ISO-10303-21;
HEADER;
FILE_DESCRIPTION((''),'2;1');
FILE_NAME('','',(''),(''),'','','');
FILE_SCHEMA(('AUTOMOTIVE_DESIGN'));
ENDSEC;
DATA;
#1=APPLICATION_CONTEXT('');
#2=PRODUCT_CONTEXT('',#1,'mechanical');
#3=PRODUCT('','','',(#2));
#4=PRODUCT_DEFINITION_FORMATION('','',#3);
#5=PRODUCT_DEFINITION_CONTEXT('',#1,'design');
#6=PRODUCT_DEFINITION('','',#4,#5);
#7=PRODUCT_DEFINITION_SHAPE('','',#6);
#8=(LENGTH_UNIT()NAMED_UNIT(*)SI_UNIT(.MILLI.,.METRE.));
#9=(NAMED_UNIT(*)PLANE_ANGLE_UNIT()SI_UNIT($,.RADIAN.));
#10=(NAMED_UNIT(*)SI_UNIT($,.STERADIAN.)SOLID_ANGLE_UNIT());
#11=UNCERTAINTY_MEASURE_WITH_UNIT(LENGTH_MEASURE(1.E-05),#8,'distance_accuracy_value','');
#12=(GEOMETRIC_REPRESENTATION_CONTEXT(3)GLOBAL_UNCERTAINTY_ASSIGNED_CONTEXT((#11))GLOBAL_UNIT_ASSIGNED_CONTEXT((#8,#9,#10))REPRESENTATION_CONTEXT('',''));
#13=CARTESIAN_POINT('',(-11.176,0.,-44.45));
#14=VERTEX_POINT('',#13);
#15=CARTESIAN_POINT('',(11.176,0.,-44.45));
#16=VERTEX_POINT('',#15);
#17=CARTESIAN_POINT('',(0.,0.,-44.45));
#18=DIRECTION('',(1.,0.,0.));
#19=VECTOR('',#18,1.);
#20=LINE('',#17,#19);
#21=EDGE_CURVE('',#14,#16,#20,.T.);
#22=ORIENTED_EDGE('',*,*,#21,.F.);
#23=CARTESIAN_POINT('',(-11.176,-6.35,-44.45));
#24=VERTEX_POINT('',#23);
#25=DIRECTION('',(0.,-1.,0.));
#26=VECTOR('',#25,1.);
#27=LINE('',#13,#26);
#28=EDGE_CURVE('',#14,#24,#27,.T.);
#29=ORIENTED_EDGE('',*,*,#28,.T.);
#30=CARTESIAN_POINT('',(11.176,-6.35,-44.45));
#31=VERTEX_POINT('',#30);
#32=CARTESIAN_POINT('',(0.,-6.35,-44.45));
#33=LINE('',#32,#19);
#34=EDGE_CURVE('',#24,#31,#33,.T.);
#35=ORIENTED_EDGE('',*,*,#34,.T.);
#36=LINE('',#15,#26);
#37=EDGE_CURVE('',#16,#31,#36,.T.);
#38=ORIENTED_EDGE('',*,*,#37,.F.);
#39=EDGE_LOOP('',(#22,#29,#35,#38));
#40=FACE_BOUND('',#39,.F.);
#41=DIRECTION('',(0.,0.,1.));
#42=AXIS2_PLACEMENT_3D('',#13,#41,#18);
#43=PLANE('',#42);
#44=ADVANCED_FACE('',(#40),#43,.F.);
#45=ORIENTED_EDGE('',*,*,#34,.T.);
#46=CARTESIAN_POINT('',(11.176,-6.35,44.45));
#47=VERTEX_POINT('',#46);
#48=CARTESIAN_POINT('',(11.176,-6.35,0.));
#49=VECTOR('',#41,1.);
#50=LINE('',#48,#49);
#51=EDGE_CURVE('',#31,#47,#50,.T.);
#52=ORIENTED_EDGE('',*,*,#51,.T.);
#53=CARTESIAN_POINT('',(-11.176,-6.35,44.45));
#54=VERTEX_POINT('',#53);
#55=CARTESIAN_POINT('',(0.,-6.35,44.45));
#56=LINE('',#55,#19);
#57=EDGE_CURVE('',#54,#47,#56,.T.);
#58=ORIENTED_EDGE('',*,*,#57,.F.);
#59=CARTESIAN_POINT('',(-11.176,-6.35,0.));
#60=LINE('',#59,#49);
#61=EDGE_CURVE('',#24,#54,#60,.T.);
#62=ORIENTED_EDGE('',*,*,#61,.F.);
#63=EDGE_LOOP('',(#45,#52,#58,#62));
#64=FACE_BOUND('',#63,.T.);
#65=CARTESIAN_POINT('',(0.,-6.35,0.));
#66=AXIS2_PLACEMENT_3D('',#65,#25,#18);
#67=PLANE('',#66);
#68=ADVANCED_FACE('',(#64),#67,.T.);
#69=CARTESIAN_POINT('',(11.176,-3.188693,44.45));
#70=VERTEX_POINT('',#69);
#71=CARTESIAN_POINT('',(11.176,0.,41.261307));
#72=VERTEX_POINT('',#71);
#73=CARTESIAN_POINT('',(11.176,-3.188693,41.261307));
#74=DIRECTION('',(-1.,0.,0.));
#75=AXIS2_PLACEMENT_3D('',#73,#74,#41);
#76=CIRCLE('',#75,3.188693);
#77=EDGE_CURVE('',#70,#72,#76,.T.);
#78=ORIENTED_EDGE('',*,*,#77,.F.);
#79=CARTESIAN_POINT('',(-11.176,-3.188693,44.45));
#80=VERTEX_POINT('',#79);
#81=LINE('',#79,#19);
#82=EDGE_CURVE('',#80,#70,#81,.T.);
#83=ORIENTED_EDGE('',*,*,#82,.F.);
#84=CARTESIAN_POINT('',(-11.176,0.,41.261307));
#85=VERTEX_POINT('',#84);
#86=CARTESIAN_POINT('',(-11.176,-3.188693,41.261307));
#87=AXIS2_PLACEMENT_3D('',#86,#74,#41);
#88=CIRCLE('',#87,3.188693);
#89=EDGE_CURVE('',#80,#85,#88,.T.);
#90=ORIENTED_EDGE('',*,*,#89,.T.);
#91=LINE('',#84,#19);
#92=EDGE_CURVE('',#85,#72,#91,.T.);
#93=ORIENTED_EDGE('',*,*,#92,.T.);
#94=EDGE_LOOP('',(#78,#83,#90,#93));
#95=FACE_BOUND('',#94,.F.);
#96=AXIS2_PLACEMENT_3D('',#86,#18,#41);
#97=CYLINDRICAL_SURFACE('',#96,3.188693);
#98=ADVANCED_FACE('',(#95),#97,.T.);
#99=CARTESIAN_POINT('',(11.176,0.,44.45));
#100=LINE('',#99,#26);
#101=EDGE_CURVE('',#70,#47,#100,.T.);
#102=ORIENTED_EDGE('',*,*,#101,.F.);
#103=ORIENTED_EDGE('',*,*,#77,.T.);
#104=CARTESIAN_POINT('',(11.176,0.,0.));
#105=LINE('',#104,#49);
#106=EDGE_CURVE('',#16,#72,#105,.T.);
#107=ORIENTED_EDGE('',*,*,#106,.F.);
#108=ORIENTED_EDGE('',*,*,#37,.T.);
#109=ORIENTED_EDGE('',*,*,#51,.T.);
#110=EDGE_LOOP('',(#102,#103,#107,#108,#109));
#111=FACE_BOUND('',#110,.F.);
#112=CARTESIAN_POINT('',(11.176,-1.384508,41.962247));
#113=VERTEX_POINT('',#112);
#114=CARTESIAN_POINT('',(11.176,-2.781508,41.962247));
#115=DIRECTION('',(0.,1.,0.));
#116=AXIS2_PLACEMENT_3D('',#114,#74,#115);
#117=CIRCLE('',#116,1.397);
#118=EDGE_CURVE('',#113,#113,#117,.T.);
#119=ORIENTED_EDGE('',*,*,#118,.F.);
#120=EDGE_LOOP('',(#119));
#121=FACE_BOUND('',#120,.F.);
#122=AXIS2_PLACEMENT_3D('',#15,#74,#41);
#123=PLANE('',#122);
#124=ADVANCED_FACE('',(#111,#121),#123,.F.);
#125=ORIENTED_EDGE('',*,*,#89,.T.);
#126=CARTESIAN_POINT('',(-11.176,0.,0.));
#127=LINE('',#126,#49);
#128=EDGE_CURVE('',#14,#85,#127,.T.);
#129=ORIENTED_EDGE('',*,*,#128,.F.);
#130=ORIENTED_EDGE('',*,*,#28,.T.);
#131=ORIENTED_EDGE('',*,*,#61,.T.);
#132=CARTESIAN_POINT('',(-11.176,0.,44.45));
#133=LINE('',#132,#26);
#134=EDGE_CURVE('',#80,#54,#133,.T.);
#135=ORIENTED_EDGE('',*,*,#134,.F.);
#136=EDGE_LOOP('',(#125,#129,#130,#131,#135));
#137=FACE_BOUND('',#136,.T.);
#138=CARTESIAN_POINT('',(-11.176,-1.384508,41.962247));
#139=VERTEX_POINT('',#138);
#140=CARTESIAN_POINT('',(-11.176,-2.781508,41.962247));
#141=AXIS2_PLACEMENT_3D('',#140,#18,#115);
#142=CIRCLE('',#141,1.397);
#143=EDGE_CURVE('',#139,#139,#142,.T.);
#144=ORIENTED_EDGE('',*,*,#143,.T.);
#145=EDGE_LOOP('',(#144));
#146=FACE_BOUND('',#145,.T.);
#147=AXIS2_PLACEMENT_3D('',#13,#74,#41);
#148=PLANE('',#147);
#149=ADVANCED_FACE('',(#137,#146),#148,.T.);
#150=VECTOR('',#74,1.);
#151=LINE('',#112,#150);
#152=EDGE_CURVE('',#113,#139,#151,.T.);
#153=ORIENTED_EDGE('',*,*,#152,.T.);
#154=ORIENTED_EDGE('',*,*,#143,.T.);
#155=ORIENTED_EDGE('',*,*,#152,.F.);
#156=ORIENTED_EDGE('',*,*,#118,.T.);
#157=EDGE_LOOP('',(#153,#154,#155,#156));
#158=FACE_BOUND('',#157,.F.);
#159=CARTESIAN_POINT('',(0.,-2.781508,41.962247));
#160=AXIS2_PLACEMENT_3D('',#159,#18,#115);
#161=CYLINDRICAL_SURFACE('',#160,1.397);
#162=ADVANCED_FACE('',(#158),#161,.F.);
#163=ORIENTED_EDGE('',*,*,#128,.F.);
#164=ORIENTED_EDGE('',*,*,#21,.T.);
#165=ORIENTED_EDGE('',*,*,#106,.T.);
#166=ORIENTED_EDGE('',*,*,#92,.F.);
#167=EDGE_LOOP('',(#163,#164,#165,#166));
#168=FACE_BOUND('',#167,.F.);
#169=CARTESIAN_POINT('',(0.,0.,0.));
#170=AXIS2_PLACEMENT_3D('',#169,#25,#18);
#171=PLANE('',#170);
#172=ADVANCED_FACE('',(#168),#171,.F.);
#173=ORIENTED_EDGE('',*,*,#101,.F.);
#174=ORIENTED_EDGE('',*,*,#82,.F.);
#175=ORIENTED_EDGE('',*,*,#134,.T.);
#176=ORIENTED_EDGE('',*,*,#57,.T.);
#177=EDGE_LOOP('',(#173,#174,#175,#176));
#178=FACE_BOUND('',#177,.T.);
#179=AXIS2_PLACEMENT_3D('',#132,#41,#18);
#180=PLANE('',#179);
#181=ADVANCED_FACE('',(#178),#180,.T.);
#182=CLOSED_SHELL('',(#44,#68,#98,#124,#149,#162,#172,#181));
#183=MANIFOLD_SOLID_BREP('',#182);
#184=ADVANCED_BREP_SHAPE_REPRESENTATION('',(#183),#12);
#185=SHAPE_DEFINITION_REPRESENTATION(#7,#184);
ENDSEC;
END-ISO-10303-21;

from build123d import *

# Parameters (mm, degrees)
F0_W          = 22.352
F0_H          = 88.9
F1_DEPTH      = 6.35
F2_R          = 1.397
F3_DEPTH      = 15.24
F3_DEPTH_BACK = 15.24
F4_R          = 3.188693


with BuildPart() as f1:
    # F0 (on Front) → F1 (new body)
    with BuildSketch(Plane.XZ):
        Rectangle(F0_W, F0_H)
    extrude(amount=F1_DEPTH)

    # F2 (on Right) → F3 (cut, two sides)
    with BuildSketch(Plane.YZ) as f3_sk:
        with Locations((-2.781508, 41.962247)):
            Circle(F2_R)
    extrude(amount=F3_DEPTH, mode=Mode.SUBTRACT)
    extrude(f3_sk.sketch, amount=-F3_DEPTH_BACK, mode=Mode.SUBTRACT)

    # F4
    f4_edges = [f1.edges().sort_by_distance(p)[0] for p in [
        (0, 0, 44.45),
    ]]
    fillet(f4_edges, radius=F4_R)


solid = f1.part
